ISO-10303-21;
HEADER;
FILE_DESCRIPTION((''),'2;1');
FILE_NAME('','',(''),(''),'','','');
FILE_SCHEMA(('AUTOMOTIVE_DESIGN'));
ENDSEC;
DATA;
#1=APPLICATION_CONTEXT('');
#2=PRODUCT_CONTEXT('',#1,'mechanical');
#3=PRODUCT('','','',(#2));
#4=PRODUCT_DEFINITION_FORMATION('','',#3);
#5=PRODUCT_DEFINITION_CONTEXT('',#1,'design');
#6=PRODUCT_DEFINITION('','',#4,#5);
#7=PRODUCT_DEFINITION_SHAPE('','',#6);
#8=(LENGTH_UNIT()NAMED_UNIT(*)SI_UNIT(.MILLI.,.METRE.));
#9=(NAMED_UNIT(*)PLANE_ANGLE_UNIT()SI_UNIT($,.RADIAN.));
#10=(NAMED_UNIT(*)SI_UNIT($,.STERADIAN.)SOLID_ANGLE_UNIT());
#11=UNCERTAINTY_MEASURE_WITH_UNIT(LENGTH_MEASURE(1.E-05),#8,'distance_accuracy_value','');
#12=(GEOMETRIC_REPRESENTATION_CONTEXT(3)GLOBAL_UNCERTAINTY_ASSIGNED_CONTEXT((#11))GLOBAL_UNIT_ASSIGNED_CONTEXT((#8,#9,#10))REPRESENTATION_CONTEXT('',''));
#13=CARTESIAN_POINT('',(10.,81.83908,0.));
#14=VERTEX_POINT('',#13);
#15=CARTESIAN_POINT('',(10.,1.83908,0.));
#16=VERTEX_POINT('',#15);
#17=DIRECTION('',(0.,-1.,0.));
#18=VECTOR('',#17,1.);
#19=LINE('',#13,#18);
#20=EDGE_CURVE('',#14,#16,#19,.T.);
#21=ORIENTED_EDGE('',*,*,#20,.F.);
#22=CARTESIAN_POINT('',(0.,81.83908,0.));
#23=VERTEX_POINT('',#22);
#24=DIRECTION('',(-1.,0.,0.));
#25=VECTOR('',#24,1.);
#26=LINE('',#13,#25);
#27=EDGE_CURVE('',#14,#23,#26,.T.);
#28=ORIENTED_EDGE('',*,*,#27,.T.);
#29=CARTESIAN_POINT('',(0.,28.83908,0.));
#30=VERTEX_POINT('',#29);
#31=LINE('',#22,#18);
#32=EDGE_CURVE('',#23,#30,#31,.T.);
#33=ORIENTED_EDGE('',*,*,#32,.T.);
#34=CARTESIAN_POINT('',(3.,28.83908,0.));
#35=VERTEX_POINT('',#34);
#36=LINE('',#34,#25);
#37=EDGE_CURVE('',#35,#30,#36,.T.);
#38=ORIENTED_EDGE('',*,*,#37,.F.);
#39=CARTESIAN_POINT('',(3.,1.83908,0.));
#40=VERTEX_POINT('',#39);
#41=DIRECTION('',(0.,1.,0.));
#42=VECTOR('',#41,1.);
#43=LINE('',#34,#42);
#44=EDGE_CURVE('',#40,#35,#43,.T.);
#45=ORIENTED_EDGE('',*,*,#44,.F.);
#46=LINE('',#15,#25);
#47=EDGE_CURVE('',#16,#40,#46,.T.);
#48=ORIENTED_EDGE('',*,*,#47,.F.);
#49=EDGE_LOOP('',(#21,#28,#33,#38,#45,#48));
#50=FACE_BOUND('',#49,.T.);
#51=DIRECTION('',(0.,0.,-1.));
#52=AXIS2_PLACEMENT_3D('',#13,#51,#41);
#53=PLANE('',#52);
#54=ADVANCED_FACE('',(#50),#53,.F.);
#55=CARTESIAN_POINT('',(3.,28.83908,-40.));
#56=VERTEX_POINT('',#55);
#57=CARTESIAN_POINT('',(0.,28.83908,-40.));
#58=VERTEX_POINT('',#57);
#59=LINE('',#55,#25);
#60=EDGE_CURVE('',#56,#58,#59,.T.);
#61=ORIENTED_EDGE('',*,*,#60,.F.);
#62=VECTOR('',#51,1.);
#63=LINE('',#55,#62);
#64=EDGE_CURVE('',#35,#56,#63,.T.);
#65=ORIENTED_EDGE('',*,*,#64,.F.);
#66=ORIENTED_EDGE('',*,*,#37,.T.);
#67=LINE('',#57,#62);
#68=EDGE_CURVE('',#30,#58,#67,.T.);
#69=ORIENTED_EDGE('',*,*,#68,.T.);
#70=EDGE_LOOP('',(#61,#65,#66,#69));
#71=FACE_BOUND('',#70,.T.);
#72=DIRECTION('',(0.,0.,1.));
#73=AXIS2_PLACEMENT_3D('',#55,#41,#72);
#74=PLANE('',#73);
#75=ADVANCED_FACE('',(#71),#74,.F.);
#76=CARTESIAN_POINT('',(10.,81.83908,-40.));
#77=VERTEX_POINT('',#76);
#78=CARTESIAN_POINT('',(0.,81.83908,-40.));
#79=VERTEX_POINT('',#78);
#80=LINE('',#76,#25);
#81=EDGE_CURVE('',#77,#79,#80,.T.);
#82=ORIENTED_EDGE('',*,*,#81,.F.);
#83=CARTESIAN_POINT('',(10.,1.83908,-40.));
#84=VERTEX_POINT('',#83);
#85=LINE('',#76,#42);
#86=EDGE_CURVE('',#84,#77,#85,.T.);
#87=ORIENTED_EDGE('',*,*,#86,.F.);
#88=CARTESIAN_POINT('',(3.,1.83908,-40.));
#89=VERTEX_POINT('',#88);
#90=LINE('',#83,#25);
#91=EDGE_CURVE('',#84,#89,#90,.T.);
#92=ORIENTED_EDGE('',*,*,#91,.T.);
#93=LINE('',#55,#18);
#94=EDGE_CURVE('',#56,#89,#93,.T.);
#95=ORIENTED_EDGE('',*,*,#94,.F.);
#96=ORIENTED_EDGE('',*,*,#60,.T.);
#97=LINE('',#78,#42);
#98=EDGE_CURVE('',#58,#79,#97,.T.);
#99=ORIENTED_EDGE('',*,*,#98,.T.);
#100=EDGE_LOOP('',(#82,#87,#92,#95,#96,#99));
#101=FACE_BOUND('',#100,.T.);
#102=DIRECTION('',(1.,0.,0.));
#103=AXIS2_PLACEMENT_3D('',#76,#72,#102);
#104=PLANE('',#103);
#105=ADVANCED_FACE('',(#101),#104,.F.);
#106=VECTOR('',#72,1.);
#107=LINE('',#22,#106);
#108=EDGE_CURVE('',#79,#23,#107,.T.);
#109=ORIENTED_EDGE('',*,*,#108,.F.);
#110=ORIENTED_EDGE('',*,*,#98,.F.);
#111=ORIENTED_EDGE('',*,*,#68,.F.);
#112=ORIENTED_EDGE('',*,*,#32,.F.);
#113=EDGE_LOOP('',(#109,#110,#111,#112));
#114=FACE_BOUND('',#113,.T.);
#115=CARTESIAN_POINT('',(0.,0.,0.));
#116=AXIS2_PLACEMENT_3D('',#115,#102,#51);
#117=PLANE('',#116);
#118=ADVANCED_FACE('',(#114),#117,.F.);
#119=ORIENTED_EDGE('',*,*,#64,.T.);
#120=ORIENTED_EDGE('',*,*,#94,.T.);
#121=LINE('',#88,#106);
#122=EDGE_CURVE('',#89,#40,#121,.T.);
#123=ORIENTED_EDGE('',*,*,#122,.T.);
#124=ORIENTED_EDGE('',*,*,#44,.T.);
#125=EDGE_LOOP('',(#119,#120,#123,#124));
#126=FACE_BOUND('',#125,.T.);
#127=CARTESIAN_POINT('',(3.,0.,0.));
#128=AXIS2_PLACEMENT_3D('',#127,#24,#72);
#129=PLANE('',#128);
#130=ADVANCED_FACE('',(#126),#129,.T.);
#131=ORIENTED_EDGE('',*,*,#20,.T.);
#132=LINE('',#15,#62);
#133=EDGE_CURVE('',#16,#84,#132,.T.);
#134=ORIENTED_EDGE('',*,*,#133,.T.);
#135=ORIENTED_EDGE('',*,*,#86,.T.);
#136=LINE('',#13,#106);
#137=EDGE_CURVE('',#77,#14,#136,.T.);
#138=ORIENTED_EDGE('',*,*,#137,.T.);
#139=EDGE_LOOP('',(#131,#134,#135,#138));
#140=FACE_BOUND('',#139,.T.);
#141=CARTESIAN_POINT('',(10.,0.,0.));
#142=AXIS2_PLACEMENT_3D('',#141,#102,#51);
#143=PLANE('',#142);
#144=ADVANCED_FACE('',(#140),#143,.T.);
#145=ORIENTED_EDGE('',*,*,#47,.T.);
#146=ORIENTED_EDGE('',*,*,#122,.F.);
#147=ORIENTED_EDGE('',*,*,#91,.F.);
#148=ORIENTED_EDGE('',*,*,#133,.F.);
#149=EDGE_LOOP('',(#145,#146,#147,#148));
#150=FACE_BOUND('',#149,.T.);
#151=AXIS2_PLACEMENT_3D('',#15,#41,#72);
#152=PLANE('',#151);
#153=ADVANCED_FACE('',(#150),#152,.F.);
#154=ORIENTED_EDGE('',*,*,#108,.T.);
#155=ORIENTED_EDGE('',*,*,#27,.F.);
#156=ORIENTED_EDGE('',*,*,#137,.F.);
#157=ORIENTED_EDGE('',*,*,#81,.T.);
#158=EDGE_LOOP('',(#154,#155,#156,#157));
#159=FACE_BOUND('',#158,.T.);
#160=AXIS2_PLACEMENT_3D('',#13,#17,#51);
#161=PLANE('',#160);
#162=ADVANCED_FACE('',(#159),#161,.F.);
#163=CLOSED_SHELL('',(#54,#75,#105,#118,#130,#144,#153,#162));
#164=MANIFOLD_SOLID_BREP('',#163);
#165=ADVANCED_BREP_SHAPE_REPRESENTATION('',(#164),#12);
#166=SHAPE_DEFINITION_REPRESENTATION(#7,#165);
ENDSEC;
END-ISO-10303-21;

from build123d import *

# Parameters (mm, degrees)
SKETCH1_W           = 40
SKETCH1_H           = 80
BOSS_EXTRUDE1_DEPTH = 10
SKETCH2_W           = 40
SKETCH2_H           = 27
CUT_EXTRUDE1_DEPTH  = 3


with BuildPart() as part:
    # Sketch1 → Boss-Extrude1 (new body)
    with BuildSketch(Plane(origin=(0, 0, 0), x_dir=(0, 0, -1), z_dir=(1, 0, 0))):
        with Locations((20, 41.83908046)):
            Rectangle(SKETCH1_W, SKETCH1_H)
    extrude(amount=BOSS_EXTRUDE1_DEPTH)

    # Sketch2 → Cut-Extrude1 (cut)
    with BuildSketch(Plane.ZY):
        with Locations((-20, 15.33908046)):
            Rectangle(SKETCH2_W, SKETCH2_H)
    extrude(amount=-CUT_EXTRUDE1_DEPTH, mode=Mode.SUBTRACT)


solid = part.part
